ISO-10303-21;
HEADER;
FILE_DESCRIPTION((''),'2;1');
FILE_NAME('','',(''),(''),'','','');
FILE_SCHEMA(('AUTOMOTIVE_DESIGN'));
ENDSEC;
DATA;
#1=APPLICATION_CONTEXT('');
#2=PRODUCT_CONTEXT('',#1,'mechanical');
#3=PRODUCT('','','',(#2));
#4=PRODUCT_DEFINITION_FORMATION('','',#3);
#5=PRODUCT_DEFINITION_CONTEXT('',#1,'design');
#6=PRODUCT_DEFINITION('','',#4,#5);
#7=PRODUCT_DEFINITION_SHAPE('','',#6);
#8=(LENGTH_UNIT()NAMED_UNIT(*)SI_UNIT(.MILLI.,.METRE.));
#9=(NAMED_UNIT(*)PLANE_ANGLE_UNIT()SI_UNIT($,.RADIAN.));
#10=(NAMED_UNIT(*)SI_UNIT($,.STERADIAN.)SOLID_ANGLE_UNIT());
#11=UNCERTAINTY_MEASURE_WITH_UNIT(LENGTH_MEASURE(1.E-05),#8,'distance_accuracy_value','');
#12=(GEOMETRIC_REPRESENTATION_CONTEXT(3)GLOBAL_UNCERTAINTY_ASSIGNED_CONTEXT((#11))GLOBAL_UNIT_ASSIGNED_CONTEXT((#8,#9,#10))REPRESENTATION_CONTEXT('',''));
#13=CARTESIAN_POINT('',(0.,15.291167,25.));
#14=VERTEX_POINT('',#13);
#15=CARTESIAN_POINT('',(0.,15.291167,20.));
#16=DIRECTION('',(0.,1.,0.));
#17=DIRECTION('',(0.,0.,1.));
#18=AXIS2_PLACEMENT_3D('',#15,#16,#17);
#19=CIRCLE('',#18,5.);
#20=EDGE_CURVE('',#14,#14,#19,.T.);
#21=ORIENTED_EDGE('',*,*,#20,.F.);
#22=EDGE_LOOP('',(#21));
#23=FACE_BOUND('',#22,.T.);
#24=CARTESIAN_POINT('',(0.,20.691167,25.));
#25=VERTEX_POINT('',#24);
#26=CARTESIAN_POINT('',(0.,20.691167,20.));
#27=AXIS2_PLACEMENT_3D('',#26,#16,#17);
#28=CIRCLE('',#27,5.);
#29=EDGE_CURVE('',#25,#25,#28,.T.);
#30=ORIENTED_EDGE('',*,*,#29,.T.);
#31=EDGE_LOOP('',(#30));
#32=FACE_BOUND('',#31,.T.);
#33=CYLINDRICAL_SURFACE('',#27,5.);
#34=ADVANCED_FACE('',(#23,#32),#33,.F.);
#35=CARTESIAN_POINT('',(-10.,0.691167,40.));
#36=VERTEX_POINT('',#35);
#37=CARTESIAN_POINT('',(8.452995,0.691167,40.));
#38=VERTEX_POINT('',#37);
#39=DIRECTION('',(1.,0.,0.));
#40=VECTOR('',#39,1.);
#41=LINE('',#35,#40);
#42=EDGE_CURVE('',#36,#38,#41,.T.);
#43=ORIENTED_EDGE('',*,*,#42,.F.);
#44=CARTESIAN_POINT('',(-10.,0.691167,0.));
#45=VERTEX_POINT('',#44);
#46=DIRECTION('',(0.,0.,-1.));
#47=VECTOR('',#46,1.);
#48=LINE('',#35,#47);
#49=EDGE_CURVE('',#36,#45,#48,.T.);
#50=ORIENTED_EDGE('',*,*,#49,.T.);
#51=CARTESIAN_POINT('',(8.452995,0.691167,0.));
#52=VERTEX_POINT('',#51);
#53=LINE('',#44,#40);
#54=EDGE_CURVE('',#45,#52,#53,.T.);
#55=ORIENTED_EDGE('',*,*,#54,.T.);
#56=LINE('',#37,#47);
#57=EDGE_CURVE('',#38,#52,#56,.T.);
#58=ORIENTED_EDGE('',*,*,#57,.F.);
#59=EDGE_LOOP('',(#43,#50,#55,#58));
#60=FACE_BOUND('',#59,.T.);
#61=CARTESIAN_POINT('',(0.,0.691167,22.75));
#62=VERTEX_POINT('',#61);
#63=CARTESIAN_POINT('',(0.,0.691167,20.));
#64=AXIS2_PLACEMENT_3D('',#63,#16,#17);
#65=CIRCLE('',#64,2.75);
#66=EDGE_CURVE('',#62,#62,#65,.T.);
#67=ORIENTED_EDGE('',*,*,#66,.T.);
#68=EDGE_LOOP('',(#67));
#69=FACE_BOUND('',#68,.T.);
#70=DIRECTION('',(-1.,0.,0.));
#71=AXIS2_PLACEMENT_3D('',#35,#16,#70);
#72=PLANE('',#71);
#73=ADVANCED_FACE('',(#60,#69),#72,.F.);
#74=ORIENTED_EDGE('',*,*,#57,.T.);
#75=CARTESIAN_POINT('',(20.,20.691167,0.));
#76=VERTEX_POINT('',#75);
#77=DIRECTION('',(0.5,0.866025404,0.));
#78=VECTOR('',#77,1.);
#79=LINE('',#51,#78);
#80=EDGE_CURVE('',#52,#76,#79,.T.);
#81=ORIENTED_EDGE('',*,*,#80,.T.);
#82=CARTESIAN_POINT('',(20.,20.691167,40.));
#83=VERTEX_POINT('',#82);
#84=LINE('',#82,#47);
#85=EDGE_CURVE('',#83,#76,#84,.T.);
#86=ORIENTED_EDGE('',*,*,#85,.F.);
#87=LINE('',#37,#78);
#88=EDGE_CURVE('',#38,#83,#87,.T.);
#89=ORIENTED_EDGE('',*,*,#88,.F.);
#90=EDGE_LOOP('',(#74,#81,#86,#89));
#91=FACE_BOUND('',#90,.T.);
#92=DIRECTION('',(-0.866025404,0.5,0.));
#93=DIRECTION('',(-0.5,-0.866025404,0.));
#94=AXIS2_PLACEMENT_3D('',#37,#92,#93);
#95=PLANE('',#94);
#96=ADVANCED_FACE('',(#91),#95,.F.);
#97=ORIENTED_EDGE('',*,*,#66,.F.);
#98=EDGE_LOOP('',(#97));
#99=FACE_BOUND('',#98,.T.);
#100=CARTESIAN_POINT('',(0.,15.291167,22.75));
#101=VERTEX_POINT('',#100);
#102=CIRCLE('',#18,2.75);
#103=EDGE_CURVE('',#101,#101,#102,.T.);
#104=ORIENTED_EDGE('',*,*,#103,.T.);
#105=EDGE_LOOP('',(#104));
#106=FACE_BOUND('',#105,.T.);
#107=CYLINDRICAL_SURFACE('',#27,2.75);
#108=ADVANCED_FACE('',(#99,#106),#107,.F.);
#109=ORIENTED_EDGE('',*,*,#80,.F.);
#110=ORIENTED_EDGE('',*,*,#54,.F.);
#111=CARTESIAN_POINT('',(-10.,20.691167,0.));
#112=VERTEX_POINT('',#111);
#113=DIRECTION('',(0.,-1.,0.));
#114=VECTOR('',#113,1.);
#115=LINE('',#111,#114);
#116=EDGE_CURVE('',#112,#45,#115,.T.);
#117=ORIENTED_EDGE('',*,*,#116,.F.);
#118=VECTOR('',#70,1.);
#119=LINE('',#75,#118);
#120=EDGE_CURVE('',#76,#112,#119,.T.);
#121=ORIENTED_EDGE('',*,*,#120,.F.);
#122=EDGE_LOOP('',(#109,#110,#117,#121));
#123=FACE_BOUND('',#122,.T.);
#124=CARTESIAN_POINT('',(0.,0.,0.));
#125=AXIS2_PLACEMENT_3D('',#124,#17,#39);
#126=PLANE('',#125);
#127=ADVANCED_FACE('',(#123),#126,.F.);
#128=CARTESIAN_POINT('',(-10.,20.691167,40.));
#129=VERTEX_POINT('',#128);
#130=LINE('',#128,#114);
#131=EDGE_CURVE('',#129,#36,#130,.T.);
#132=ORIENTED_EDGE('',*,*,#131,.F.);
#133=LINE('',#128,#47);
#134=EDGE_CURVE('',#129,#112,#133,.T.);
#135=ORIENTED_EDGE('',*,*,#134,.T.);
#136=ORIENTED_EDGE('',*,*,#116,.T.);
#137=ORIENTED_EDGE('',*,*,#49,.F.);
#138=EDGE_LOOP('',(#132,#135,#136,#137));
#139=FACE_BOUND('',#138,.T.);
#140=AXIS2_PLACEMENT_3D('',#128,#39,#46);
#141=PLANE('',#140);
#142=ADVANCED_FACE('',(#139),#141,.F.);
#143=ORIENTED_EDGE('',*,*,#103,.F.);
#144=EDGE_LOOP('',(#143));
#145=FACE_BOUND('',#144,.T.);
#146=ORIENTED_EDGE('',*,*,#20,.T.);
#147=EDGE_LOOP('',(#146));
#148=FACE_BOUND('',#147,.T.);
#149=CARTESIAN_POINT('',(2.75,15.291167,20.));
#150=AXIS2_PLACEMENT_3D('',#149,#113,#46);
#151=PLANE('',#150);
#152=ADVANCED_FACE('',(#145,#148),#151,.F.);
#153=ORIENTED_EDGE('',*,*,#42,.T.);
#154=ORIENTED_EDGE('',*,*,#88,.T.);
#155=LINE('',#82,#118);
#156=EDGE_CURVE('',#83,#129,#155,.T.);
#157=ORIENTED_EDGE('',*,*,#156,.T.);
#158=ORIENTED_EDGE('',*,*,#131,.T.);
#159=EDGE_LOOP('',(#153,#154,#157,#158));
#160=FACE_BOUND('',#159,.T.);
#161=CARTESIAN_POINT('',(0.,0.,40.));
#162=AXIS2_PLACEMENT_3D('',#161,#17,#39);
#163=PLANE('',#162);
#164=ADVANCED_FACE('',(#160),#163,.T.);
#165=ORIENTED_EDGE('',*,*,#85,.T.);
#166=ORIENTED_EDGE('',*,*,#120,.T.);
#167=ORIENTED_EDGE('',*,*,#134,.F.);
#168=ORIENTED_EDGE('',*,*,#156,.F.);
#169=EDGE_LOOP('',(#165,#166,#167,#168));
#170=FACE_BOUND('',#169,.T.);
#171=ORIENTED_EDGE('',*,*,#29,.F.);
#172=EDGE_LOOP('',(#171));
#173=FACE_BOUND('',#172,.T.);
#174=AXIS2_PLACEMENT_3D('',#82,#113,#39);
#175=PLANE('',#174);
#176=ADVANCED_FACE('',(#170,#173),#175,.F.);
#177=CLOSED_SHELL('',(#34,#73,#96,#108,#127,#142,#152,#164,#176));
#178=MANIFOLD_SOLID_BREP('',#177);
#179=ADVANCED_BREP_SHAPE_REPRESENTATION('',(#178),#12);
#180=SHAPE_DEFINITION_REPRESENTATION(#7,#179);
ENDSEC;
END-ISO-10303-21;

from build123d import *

# Parameters (mm, degrees)
BOSS_EXTRU_1_DEPTH                                 = 40
CHAMBRAGE_POUR_VIS_T_TE_HEXAGONALE_M51_D           = 5.5
CHAMBRAGE_POUR_VIS_T_TE_HEXAGONALE_M51_CBORE_D     = 10
CHAMBRAGE_POUR_VIS_T_TE_HEXAGONALE_M51_CBORE_DEPTH = 5.4


with BuildPart() as part:
    # Esquisse1 → Boss.-Extru.1 (new body)
    with BuildSketch(Plane.XY):
        Polygon((-10, 0.691167323), (8.452994616, 0.691167323), (20, 20.691167323), (-10, 20.691167323), align=None)
    extrude(amount=BOSS_EXTRU_1_DEPTH)

    # Chambrage pour vis à tête hexagonale M51 (through all)
    with Locations(Plane(origin=(0, 20.691167323, 0), x_dir=(1, 0, 0), z_dir=(0, 1, 0))):
        with Locations((0, -20)):
            CounterBoreHole(CHAMBRAGE_POUR_VIS_T_TE_HEXAGONALE_M51_D / 2, CHAMBRAGE_POUR_VIS_T_TE_HEXAGONALE_M51_CBORE_D / 2, CHAMBRAGE_POUR_VIS_T_TE_HEXAGONALE_M51_CBORE_DEPTH)


solid = part.part
